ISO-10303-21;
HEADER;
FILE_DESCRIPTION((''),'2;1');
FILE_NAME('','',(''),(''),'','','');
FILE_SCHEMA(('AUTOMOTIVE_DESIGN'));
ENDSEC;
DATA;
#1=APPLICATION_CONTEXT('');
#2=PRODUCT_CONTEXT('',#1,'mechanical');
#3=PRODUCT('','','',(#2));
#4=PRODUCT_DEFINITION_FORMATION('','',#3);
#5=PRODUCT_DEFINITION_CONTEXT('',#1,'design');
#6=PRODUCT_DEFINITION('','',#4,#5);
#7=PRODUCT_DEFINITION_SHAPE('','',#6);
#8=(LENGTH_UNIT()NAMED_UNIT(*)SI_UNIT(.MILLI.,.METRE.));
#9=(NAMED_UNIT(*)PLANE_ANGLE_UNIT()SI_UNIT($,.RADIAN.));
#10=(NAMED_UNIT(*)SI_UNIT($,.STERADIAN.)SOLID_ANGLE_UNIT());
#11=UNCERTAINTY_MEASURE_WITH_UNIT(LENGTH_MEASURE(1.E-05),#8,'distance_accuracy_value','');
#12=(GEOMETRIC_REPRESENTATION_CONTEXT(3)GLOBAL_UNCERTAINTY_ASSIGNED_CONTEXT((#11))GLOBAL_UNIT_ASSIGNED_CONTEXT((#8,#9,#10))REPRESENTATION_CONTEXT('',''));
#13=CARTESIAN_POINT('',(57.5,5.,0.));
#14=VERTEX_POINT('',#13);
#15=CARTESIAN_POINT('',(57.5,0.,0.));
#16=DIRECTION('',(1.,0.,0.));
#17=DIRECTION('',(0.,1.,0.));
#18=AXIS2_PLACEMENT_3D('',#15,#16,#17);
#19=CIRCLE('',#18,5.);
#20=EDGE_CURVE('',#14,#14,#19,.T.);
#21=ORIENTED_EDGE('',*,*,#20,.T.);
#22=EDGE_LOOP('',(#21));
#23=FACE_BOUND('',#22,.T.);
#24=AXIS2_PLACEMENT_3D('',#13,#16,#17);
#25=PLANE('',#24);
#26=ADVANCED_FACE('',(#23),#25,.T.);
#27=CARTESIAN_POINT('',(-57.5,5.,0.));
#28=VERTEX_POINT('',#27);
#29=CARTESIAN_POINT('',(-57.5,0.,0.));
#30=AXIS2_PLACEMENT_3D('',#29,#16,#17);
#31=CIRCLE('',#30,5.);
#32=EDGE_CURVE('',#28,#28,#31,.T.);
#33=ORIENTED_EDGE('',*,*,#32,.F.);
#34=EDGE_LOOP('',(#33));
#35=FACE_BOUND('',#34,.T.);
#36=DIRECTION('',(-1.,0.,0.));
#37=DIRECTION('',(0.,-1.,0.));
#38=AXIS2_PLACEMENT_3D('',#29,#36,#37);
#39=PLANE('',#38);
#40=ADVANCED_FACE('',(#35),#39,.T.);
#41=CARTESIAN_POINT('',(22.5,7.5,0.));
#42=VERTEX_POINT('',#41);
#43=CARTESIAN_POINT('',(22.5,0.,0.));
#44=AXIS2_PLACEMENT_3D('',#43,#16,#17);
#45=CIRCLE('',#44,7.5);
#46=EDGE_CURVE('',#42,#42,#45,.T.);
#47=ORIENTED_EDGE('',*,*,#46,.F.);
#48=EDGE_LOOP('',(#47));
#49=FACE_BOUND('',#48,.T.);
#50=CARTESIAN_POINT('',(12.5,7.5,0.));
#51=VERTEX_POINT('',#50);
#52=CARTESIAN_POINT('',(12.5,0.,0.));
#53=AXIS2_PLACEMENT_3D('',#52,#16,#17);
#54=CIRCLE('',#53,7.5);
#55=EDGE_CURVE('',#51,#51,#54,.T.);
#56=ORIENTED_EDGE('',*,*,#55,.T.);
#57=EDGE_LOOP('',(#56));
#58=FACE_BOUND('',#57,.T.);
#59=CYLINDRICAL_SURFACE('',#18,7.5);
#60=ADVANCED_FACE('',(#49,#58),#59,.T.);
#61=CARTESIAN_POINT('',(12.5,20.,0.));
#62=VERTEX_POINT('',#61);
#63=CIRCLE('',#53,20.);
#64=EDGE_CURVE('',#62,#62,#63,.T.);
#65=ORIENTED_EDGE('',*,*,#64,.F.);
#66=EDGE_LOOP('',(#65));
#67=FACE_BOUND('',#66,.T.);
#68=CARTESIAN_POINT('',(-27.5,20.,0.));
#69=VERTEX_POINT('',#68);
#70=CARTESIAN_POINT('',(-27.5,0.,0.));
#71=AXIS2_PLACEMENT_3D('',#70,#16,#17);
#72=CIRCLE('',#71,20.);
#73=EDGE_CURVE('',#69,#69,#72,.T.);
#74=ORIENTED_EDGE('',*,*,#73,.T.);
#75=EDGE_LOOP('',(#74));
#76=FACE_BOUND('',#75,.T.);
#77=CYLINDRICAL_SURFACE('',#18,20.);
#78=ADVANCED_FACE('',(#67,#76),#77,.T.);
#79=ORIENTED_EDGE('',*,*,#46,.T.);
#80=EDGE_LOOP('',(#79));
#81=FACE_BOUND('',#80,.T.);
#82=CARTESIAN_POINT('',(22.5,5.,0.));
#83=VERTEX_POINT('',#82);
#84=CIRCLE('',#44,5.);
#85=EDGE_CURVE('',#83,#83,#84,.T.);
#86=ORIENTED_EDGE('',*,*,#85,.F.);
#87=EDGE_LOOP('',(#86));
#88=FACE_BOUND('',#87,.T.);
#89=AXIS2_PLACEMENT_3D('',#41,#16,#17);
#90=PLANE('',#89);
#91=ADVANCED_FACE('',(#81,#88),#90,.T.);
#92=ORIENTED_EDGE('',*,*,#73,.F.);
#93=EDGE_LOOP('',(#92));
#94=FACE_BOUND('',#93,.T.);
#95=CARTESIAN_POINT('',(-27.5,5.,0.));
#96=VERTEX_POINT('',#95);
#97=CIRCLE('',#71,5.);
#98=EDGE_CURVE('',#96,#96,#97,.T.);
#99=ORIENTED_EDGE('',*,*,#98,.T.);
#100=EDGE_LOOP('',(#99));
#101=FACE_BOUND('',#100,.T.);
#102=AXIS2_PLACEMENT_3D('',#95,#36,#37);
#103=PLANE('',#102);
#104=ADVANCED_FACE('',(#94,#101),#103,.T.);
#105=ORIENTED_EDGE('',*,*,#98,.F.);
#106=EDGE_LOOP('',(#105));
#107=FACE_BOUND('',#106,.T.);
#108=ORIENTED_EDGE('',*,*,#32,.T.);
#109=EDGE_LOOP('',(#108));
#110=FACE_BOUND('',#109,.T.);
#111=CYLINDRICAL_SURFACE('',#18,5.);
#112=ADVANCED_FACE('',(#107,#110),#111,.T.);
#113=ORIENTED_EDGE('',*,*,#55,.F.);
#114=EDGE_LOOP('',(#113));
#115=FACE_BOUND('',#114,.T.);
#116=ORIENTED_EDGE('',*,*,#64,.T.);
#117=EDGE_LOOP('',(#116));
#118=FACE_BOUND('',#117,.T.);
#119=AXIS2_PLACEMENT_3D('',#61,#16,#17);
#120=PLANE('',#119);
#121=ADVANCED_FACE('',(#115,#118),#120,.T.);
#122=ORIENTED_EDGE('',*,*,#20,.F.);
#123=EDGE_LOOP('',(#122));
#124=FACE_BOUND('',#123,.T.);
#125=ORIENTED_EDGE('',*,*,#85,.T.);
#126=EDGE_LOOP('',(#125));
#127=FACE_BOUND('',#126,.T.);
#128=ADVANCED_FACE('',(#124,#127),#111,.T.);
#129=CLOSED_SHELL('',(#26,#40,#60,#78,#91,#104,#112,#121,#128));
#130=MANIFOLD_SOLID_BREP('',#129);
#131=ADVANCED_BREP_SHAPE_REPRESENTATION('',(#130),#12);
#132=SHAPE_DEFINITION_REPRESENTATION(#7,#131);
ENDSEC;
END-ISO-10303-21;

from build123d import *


with BuildPart() as part:
    # Sketch1 → Revolve2 (revolve)
    with BuildSketch(Plane.XY):
        Polygon((57.5, 0), (-57.5, 0), (-57.5, 5), (-27.5, 5), (-27.5, 20), (12.5, 20), (12.5, 7.5), (22.5, 7.5), (22.5, 5), (57.5, 5), align=None)
    revolve(axis=Axis((57.5, 0, 0), (-1, 0, 0)))


solid = part.part
